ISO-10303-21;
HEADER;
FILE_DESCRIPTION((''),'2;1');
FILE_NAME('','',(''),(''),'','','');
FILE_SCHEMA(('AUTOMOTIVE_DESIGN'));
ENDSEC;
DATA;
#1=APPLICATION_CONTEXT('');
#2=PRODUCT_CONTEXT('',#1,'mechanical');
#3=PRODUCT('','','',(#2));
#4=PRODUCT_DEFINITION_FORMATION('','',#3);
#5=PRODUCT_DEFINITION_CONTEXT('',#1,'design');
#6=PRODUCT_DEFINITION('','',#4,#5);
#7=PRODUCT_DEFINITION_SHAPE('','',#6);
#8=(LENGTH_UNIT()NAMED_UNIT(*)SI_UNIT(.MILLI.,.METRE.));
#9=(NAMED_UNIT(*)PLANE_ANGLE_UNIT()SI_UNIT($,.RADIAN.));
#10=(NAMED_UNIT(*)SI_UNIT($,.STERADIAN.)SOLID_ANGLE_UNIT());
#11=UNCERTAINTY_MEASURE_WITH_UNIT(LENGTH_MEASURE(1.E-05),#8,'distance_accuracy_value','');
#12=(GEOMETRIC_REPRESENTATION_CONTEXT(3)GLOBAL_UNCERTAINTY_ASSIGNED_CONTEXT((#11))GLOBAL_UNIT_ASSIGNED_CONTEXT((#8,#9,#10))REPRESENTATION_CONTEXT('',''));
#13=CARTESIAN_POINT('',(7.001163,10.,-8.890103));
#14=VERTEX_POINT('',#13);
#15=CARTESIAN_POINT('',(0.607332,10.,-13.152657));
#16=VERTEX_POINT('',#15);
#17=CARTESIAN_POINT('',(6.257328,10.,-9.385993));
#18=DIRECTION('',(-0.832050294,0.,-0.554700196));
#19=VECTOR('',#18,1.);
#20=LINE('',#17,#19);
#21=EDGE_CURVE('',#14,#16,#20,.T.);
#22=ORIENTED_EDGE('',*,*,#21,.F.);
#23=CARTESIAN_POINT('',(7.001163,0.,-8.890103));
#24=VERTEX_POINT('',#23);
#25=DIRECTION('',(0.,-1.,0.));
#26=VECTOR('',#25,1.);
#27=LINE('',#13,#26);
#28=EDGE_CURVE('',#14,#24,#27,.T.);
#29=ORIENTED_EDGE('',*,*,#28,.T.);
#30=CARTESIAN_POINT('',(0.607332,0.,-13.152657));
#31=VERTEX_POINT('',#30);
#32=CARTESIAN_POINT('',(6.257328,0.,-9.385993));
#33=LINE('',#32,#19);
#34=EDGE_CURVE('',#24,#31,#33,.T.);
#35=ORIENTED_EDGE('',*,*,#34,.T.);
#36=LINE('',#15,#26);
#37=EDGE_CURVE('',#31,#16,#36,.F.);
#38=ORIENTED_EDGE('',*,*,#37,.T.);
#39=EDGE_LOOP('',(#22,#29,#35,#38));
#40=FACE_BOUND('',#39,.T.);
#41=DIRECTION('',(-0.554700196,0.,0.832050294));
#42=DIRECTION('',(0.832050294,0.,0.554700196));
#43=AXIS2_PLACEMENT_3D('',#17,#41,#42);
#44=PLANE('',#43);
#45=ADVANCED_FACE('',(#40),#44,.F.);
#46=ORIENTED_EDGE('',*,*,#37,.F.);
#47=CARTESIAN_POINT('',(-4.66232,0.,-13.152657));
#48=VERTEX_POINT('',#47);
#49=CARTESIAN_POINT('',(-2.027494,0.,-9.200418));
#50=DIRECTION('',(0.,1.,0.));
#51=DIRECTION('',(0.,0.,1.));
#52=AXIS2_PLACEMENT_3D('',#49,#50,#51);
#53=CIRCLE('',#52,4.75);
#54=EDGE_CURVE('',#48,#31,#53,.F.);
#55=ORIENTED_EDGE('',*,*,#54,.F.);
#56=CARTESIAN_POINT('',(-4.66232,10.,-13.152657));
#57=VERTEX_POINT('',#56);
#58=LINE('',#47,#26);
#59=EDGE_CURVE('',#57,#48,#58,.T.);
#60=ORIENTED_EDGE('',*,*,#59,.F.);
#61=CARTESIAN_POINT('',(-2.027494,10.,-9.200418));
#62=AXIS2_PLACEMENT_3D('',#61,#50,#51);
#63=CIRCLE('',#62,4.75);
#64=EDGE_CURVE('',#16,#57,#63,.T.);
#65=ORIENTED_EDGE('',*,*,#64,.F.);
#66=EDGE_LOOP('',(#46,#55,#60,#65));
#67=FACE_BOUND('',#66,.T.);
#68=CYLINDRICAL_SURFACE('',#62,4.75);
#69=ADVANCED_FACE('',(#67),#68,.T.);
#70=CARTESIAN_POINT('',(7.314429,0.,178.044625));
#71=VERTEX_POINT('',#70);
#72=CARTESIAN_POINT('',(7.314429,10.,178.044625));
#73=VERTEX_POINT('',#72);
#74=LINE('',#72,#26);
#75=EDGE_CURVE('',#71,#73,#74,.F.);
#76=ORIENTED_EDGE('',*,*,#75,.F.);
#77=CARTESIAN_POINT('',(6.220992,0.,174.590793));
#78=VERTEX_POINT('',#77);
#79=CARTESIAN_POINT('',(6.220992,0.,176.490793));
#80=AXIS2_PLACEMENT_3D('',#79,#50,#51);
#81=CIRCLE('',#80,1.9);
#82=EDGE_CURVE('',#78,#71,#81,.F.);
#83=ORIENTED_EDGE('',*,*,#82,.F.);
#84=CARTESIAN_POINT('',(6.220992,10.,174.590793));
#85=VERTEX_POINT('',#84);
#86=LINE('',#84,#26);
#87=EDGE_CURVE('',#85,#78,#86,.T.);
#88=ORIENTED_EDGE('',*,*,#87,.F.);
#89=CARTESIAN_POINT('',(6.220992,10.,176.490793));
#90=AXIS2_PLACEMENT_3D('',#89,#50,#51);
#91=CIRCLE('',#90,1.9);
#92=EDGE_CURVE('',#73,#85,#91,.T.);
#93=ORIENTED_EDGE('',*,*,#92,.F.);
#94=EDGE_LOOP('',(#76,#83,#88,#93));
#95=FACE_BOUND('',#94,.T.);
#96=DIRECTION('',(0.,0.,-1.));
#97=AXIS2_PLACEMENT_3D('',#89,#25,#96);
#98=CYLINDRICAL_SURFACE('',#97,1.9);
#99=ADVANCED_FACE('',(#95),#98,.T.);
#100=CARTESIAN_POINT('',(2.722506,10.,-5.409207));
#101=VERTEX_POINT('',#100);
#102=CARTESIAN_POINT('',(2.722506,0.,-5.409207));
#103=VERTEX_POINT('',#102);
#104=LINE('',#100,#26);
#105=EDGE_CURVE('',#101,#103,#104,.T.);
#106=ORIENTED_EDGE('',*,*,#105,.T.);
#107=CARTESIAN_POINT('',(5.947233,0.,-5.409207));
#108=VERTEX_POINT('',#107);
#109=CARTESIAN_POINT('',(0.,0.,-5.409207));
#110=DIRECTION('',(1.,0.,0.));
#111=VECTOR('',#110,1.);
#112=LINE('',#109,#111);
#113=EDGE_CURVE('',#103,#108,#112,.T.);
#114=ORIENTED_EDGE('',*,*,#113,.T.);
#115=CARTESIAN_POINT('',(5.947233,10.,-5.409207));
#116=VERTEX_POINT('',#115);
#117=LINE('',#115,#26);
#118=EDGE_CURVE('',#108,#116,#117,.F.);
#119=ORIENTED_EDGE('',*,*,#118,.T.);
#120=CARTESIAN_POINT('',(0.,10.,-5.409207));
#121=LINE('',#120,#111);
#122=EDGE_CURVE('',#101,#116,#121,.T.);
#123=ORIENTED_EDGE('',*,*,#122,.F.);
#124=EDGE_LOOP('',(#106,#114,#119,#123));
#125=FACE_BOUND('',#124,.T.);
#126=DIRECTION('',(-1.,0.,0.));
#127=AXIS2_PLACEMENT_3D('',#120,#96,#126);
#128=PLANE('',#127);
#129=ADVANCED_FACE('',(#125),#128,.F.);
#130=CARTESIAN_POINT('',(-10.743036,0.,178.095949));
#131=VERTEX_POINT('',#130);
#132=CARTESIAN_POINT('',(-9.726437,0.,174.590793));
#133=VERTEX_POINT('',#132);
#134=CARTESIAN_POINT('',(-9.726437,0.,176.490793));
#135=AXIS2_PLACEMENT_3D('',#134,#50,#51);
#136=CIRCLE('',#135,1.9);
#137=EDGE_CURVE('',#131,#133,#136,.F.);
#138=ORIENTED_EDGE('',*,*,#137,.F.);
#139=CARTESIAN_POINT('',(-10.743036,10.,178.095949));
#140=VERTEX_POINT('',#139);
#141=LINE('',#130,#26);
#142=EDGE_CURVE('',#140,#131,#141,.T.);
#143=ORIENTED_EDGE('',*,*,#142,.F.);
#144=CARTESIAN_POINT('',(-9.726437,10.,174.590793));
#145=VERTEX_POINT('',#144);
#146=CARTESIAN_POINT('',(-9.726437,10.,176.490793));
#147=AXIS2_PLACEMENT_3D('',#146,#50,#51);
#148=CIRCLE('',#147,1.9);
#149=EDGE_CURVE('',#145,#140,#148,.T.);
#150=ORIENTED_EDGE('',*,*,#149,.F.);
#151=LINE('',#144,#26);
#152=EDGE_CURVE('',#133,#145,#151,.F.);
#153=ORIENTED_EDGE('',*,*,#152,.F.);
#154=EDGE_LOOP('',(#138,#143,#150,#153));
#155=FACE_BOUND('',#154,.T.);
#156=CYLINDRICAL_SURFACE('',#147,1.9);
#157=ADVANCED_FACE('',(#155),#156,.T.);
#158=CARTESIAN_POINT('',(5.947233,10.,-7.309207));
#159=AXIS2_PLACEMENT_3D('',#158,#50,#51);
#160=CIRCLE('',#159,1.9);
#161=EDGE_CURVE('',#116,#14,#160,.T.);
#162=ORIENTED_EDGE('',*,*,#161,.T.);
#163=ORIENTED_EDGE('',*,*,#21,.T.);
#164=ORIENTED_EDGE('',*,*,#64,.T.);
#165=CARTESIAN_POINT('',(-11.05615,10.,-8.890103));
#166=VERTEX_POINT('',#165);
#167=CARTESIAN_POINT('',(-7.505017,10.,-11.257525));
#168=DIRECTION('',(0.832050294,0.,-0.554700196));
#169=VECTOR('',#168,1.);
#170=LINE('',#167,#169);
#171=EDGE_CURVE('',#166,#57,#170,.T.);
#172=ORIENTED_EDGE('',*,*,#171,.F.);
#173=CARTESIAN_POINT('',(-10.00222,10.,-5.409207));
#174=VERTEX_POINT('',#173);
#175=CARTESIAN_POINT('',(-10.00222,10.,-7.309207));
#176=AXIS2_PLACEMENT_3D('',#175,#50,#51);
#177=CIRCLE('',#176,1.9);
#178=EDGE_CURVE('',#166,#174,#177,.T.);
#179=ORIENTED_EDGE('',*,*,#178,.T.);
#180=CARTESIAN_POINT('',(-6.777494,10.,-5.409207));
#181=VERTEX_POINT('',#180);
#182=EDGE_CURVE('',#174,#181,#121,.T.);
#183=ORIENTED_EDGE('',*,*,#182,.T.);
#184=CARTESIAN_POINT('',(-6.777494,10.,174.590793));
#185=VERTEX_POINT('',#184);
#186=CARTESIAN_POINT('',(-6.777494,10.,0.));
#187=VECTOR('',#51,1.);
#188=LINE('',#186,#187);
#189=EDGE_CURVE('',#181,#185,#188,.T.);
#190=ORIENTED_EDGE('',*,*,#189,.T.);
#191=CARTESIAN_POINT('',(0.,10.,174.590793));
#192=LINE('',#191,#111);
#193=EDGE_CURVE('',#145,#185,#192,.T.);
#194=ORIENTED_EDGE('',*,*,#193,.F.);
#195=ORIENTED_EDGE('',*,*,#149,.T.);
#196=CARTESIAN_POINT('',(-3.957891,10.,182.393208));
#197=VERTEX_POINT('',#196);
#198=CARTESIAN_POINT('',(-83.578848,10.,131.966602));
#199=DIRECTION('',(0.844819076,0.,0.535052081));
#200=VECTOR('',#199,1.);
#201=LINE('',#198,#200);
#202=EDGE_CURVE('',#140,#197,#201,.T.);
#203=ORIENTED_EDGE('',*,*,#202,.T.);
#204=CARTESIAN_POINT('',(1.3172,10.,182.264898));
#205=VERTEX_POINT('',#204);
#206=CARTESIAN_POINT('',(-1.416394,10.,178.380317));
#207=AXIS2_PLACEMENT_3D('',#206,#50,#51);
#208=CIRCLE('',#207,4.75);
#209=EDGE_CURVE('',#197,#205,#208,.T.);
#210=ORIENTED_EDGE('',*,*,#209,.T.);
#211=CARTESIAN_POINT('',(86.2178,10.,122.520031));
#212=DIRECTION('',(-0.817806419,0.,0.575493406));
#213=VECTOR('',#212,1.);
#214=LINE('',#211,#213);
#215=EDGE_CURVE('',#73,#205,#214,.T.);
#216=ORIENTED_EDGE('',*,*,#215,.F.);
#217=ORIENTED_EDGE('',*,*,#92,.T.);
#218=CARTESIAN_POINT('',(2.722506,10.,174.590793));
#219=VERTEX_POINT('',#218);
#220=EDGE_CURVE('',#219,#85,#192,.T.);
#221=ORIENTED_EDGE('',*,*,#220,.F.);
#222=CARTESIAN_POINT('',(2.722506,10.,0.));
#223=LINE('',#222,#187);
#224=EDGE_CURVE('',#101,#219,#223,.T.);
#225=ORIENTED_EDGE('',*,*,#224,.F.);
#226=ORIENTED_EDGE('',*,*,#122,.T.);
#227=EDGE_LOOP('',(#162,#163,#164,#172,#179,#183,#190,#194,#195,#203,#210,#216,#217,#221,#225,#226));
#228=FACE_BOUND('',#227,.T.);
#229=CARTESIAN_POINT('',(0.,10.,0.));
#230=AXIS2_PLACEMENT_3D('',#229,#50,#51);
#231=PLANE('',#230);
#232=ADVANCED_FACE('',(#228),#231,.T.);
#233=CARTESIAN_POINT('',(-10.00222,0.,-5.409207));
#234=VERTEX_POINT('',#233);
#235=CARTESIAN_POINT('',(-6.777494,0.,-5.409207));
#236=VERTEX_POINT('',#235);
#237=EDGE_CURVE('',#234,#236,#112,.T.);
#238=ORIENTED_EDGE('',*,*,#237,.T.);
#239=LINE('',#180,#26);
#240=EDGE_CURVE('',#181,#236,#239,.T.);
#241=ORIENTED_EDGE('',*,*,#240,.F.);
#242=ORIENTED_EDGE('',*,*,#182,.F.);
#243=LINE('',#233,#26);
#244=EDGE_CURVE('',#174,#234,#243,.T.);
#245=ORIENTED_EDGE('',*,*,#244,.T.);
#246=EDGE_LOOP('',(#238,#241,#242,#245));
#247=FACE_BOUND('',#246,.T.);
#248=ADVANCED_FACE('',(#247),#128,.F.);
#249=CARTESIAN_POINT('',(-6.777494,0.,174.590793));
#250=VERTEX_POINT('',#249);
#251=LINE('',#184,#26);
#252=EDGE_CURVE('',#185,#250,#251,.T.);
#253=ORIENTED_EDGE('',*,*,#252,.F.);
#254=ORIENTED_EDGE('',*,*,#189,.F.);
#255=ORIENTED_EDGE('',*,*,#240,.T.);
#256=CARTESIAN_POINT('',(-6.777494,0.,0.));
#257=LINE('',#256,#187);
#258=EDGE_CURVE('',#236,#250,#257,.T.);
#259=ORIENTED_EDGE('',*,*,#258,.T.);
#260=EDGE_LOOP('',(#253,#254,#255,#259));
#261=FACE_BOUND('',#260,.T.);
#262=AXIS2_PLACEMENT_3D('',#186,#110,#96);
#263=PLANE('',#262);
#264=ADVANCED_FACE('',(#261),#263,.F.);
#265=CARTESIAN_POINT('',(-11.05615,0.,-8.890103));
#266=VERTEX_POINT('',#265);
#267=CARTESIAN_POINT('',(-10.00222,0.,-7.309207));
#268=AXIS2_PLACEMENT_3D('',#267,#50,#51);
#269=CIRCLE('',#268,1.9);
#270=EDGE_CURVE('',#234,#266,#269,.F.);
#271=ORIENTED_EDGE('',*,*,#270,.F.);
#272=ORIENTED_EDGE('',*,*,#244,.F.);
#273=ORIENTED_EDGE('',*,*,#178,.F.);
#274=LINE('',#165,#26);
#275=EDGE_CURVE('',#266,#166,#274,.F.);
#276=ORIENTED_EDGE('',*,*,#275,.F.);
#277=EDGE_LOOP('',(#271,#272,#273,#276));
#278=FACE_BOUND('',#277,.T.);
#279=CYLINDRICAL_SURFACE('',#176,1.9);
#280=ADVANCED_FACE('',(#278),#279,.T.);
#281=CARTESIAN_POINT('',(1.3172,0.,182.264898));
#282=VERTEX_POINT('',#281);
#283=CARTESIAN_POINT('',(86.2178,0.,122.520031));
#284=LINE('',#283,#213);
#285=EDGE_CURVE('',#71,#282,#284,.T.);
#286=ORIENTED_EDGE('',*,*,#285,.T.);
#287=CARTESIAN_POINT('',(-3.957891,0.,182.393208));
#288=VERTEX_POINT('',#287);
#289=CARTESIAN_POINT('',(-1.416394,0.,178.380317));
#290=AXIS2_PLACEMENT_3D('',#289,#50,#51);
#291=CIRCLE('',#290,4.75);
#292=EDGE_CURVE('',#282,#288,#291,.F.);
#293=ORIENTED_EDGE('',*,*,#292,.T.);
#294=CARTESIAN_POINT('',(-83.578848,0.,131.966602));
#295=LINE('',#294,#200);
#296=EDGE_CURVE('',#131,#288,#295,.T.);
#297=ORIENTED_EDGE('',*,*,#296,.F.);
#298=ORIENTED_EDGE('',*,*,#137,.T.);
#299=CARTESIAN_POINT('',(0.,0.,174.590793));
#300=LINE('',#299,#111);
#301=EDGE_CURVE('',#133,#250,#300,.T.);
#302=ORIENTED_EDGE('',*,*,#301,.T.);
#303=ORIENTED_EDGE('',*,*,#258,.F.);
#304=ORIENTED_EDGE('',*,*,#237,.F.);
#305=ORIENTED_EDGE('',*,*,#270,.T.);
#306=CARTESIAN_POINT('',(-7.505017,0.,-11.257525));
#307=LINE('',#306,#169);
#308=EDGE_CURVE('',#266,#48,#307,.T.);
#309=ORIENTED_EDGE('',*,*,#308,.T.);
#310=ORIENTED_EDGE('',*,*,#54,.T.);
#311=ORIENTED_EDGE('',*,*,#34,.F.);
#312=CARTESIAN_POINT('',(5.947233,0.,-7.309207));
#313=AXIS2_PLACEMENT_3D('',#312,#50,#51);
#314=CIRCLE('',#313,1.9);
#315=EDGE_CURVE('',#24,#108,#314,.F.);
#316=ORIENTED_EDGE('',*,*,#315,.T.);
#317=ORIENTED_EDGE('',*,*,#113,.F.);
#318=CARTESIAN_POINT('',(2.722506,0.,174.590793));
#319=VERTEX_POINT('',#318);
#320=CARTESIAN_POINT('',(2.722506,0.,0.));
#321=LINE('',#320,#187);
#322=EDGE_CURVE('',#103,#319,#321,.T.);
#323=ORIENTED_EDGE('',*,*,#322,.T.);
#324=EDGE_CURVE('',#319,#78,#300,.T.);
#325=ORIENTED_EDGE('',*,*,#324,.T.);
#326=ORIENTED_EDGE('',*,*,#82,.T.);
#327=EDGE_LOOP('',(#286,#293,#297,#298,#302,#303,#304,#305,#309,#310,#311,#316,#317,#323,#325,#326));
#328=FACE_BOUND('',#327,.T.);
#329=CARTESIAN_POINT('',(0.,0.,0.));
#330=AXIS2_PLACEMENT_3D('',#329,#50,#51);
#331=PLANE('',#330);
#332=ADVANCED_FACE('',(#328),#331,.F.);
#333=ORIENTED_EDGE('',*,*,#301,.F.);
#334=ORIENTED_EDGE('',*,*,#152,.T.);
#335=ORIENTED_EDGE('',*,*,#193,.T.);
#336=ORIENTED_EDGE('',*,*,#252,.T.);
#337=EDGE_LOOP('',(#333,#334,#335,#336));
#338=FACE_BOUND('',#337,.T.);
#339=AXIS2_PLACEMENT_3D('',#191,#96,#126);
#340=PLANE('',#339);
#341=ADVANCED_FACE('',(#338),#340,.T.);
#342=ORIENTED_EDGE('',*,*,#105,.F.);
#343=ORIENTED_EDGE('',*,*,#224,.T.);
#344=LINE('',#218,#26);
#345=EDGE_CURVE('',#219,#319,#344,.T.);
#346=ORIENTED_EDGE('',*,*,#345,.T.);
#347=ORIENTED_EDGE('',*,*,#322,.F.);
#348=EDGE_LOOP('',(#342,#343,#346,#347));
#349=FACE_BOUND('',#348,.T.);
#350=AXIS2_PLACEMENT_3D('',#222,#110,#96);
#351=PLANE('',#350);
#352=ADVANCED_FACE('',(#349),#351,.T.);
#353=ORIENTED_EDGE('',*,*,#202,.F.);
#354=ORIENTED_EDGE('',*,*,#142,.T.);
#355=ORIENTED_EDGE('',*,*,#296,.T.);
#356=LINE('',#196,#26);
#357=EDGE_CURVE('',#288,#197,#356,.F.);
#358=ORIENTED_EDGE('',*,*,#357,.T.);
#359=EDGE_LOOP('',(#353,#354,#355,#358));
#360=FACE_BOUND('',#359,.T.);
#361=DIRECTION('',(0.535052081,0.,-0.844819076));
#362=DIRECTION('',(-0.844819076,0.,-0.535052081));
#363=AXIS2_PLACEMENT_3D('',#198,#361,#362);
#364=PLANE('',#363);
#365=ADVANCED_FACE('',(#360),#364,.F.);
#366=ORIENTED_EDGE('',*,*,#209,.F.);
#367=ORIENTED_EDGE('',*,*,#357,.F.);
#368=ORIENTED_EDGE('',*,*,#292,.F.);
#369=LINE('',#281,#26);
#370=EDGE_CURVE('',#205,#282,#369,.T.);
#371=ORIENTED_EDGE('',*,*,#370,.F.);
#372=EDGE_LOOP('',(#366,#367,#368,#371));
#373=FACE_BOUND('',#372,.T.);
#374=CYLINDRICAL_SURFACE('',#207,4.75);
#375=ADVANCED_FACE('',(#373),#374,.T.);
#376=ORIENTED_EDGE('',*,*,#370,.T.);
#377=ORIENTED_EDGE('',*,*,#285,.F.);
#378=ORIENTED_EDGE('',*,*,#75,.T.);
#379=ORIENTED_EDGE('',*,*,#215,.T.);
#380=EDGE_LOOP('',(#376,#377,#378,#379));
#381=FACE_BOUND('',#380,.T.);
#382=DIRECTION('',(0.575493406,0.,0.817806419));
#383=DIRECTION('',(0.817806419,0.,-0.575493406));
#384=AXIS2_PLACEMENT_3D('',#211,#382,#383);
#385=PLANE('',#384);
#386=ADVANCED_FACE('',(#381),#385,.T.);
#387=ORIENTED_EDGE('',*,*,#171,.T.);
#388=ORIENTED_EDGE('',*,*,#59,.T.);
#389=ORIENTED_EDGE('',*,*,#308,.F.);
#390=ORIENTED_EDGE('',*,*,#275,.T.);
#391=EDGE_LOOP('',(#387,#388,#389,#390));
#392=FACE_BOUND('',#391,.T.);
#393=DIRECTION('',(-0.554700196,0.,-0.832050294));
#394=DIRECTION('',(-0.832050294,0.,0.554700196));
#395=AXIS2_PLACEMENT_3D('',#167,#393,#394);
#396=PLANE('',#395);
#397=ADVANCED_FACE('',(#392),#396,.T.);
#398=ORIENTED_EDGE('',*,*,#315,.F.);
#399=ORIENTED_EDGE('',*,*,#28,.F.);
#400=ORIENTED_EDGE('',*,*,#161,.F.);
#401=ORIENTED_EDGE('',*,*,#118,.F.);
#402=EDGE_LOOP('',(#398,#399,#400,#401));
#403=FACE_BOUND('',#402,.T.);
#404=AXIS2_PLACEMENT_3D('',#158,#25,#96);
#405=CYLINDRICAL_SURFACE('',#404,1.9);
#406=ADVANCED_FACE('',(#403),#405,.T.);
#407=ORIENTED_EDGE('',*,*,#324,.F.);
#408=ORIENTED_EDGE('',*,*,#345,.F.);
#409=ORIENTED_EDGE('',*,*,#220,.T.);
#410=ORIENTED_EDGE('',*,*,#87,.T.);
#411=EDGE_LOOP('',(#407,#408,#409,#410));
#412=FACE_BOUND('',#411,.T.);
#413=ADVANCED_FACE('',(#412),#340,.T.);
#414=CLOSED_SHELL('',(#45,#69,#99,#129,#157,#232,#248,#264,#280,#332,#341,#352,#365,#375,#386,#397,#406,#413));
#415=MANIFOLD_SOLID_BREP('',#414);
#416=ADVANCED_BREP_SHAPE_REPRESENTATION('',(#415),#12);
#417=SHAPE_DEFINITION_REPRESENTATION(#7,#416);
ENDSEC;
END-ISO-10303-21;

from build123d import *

# Parameters (mm, degrees)
SKETCH1_W           = 9.5
SKETCH1_H           = 180
BOSS_EXTRUDE1_DEPTH = 10
FILLET1_R           = 1.9
FILLET2_R           = 4.75


with BuildPart() as part:
    # Sketch1 → Boss-Extrude1 (new body)
    with BuildSketch(Plane(origin=(0, 0, 0), x_dir=(1, 0, 0), z_dir=(0, 1, 0))):
        with Locations((-2.027493606, -84.590792839)):
            Rectangle(SKETCH1_W, SKETCH1_H)
        Polygon((-6.777493606, 5.409207161), (-2.027493606, 5.409207161), (-2.027493606, 14.909207161), (-16.277493606, 5.409207161), align=None)
        Polygon((-2.027493606, 14.909207161), (-2.027493606, 5.409207161), (2.722506394, 5.409207161), (12.222506394, 5.409207161), align=None)
        Polygon((-6.777493606, -174.590792839), (2.722506394, -174.590792839), (12.222506394, -174.590792839), (-1.277493606, -184.090792839), (-16.277493606, -174.590792839), align=None)
    extrude(amount=BOSS_EXTRUDE1_DEPTH)

    # Fillet1
    fillet1_edges = [part.edges().sort_by_distance(p)[0] for p in [
        (12.222506394, 5, -5.409207161),
        (12.222506394, 5, 174.590792839),
        (-16.277493606, 5, 174.590792839),
        (-16.277493606, 5, -5.409207161),
    ]]
    fillet(fillet1_edges, radius=FILLET1_R)

    # Fillet2
    fillet2_edges = [part.edges().sort_by_distance(p)[0] for p in [
        (-1.277493606, 5, 184.090792839),
        (-2.027493606, 5, -14.909207161),
    ]]
    fillet(fillet2_edges, radius=FILLET2_R)


solid = part.part
